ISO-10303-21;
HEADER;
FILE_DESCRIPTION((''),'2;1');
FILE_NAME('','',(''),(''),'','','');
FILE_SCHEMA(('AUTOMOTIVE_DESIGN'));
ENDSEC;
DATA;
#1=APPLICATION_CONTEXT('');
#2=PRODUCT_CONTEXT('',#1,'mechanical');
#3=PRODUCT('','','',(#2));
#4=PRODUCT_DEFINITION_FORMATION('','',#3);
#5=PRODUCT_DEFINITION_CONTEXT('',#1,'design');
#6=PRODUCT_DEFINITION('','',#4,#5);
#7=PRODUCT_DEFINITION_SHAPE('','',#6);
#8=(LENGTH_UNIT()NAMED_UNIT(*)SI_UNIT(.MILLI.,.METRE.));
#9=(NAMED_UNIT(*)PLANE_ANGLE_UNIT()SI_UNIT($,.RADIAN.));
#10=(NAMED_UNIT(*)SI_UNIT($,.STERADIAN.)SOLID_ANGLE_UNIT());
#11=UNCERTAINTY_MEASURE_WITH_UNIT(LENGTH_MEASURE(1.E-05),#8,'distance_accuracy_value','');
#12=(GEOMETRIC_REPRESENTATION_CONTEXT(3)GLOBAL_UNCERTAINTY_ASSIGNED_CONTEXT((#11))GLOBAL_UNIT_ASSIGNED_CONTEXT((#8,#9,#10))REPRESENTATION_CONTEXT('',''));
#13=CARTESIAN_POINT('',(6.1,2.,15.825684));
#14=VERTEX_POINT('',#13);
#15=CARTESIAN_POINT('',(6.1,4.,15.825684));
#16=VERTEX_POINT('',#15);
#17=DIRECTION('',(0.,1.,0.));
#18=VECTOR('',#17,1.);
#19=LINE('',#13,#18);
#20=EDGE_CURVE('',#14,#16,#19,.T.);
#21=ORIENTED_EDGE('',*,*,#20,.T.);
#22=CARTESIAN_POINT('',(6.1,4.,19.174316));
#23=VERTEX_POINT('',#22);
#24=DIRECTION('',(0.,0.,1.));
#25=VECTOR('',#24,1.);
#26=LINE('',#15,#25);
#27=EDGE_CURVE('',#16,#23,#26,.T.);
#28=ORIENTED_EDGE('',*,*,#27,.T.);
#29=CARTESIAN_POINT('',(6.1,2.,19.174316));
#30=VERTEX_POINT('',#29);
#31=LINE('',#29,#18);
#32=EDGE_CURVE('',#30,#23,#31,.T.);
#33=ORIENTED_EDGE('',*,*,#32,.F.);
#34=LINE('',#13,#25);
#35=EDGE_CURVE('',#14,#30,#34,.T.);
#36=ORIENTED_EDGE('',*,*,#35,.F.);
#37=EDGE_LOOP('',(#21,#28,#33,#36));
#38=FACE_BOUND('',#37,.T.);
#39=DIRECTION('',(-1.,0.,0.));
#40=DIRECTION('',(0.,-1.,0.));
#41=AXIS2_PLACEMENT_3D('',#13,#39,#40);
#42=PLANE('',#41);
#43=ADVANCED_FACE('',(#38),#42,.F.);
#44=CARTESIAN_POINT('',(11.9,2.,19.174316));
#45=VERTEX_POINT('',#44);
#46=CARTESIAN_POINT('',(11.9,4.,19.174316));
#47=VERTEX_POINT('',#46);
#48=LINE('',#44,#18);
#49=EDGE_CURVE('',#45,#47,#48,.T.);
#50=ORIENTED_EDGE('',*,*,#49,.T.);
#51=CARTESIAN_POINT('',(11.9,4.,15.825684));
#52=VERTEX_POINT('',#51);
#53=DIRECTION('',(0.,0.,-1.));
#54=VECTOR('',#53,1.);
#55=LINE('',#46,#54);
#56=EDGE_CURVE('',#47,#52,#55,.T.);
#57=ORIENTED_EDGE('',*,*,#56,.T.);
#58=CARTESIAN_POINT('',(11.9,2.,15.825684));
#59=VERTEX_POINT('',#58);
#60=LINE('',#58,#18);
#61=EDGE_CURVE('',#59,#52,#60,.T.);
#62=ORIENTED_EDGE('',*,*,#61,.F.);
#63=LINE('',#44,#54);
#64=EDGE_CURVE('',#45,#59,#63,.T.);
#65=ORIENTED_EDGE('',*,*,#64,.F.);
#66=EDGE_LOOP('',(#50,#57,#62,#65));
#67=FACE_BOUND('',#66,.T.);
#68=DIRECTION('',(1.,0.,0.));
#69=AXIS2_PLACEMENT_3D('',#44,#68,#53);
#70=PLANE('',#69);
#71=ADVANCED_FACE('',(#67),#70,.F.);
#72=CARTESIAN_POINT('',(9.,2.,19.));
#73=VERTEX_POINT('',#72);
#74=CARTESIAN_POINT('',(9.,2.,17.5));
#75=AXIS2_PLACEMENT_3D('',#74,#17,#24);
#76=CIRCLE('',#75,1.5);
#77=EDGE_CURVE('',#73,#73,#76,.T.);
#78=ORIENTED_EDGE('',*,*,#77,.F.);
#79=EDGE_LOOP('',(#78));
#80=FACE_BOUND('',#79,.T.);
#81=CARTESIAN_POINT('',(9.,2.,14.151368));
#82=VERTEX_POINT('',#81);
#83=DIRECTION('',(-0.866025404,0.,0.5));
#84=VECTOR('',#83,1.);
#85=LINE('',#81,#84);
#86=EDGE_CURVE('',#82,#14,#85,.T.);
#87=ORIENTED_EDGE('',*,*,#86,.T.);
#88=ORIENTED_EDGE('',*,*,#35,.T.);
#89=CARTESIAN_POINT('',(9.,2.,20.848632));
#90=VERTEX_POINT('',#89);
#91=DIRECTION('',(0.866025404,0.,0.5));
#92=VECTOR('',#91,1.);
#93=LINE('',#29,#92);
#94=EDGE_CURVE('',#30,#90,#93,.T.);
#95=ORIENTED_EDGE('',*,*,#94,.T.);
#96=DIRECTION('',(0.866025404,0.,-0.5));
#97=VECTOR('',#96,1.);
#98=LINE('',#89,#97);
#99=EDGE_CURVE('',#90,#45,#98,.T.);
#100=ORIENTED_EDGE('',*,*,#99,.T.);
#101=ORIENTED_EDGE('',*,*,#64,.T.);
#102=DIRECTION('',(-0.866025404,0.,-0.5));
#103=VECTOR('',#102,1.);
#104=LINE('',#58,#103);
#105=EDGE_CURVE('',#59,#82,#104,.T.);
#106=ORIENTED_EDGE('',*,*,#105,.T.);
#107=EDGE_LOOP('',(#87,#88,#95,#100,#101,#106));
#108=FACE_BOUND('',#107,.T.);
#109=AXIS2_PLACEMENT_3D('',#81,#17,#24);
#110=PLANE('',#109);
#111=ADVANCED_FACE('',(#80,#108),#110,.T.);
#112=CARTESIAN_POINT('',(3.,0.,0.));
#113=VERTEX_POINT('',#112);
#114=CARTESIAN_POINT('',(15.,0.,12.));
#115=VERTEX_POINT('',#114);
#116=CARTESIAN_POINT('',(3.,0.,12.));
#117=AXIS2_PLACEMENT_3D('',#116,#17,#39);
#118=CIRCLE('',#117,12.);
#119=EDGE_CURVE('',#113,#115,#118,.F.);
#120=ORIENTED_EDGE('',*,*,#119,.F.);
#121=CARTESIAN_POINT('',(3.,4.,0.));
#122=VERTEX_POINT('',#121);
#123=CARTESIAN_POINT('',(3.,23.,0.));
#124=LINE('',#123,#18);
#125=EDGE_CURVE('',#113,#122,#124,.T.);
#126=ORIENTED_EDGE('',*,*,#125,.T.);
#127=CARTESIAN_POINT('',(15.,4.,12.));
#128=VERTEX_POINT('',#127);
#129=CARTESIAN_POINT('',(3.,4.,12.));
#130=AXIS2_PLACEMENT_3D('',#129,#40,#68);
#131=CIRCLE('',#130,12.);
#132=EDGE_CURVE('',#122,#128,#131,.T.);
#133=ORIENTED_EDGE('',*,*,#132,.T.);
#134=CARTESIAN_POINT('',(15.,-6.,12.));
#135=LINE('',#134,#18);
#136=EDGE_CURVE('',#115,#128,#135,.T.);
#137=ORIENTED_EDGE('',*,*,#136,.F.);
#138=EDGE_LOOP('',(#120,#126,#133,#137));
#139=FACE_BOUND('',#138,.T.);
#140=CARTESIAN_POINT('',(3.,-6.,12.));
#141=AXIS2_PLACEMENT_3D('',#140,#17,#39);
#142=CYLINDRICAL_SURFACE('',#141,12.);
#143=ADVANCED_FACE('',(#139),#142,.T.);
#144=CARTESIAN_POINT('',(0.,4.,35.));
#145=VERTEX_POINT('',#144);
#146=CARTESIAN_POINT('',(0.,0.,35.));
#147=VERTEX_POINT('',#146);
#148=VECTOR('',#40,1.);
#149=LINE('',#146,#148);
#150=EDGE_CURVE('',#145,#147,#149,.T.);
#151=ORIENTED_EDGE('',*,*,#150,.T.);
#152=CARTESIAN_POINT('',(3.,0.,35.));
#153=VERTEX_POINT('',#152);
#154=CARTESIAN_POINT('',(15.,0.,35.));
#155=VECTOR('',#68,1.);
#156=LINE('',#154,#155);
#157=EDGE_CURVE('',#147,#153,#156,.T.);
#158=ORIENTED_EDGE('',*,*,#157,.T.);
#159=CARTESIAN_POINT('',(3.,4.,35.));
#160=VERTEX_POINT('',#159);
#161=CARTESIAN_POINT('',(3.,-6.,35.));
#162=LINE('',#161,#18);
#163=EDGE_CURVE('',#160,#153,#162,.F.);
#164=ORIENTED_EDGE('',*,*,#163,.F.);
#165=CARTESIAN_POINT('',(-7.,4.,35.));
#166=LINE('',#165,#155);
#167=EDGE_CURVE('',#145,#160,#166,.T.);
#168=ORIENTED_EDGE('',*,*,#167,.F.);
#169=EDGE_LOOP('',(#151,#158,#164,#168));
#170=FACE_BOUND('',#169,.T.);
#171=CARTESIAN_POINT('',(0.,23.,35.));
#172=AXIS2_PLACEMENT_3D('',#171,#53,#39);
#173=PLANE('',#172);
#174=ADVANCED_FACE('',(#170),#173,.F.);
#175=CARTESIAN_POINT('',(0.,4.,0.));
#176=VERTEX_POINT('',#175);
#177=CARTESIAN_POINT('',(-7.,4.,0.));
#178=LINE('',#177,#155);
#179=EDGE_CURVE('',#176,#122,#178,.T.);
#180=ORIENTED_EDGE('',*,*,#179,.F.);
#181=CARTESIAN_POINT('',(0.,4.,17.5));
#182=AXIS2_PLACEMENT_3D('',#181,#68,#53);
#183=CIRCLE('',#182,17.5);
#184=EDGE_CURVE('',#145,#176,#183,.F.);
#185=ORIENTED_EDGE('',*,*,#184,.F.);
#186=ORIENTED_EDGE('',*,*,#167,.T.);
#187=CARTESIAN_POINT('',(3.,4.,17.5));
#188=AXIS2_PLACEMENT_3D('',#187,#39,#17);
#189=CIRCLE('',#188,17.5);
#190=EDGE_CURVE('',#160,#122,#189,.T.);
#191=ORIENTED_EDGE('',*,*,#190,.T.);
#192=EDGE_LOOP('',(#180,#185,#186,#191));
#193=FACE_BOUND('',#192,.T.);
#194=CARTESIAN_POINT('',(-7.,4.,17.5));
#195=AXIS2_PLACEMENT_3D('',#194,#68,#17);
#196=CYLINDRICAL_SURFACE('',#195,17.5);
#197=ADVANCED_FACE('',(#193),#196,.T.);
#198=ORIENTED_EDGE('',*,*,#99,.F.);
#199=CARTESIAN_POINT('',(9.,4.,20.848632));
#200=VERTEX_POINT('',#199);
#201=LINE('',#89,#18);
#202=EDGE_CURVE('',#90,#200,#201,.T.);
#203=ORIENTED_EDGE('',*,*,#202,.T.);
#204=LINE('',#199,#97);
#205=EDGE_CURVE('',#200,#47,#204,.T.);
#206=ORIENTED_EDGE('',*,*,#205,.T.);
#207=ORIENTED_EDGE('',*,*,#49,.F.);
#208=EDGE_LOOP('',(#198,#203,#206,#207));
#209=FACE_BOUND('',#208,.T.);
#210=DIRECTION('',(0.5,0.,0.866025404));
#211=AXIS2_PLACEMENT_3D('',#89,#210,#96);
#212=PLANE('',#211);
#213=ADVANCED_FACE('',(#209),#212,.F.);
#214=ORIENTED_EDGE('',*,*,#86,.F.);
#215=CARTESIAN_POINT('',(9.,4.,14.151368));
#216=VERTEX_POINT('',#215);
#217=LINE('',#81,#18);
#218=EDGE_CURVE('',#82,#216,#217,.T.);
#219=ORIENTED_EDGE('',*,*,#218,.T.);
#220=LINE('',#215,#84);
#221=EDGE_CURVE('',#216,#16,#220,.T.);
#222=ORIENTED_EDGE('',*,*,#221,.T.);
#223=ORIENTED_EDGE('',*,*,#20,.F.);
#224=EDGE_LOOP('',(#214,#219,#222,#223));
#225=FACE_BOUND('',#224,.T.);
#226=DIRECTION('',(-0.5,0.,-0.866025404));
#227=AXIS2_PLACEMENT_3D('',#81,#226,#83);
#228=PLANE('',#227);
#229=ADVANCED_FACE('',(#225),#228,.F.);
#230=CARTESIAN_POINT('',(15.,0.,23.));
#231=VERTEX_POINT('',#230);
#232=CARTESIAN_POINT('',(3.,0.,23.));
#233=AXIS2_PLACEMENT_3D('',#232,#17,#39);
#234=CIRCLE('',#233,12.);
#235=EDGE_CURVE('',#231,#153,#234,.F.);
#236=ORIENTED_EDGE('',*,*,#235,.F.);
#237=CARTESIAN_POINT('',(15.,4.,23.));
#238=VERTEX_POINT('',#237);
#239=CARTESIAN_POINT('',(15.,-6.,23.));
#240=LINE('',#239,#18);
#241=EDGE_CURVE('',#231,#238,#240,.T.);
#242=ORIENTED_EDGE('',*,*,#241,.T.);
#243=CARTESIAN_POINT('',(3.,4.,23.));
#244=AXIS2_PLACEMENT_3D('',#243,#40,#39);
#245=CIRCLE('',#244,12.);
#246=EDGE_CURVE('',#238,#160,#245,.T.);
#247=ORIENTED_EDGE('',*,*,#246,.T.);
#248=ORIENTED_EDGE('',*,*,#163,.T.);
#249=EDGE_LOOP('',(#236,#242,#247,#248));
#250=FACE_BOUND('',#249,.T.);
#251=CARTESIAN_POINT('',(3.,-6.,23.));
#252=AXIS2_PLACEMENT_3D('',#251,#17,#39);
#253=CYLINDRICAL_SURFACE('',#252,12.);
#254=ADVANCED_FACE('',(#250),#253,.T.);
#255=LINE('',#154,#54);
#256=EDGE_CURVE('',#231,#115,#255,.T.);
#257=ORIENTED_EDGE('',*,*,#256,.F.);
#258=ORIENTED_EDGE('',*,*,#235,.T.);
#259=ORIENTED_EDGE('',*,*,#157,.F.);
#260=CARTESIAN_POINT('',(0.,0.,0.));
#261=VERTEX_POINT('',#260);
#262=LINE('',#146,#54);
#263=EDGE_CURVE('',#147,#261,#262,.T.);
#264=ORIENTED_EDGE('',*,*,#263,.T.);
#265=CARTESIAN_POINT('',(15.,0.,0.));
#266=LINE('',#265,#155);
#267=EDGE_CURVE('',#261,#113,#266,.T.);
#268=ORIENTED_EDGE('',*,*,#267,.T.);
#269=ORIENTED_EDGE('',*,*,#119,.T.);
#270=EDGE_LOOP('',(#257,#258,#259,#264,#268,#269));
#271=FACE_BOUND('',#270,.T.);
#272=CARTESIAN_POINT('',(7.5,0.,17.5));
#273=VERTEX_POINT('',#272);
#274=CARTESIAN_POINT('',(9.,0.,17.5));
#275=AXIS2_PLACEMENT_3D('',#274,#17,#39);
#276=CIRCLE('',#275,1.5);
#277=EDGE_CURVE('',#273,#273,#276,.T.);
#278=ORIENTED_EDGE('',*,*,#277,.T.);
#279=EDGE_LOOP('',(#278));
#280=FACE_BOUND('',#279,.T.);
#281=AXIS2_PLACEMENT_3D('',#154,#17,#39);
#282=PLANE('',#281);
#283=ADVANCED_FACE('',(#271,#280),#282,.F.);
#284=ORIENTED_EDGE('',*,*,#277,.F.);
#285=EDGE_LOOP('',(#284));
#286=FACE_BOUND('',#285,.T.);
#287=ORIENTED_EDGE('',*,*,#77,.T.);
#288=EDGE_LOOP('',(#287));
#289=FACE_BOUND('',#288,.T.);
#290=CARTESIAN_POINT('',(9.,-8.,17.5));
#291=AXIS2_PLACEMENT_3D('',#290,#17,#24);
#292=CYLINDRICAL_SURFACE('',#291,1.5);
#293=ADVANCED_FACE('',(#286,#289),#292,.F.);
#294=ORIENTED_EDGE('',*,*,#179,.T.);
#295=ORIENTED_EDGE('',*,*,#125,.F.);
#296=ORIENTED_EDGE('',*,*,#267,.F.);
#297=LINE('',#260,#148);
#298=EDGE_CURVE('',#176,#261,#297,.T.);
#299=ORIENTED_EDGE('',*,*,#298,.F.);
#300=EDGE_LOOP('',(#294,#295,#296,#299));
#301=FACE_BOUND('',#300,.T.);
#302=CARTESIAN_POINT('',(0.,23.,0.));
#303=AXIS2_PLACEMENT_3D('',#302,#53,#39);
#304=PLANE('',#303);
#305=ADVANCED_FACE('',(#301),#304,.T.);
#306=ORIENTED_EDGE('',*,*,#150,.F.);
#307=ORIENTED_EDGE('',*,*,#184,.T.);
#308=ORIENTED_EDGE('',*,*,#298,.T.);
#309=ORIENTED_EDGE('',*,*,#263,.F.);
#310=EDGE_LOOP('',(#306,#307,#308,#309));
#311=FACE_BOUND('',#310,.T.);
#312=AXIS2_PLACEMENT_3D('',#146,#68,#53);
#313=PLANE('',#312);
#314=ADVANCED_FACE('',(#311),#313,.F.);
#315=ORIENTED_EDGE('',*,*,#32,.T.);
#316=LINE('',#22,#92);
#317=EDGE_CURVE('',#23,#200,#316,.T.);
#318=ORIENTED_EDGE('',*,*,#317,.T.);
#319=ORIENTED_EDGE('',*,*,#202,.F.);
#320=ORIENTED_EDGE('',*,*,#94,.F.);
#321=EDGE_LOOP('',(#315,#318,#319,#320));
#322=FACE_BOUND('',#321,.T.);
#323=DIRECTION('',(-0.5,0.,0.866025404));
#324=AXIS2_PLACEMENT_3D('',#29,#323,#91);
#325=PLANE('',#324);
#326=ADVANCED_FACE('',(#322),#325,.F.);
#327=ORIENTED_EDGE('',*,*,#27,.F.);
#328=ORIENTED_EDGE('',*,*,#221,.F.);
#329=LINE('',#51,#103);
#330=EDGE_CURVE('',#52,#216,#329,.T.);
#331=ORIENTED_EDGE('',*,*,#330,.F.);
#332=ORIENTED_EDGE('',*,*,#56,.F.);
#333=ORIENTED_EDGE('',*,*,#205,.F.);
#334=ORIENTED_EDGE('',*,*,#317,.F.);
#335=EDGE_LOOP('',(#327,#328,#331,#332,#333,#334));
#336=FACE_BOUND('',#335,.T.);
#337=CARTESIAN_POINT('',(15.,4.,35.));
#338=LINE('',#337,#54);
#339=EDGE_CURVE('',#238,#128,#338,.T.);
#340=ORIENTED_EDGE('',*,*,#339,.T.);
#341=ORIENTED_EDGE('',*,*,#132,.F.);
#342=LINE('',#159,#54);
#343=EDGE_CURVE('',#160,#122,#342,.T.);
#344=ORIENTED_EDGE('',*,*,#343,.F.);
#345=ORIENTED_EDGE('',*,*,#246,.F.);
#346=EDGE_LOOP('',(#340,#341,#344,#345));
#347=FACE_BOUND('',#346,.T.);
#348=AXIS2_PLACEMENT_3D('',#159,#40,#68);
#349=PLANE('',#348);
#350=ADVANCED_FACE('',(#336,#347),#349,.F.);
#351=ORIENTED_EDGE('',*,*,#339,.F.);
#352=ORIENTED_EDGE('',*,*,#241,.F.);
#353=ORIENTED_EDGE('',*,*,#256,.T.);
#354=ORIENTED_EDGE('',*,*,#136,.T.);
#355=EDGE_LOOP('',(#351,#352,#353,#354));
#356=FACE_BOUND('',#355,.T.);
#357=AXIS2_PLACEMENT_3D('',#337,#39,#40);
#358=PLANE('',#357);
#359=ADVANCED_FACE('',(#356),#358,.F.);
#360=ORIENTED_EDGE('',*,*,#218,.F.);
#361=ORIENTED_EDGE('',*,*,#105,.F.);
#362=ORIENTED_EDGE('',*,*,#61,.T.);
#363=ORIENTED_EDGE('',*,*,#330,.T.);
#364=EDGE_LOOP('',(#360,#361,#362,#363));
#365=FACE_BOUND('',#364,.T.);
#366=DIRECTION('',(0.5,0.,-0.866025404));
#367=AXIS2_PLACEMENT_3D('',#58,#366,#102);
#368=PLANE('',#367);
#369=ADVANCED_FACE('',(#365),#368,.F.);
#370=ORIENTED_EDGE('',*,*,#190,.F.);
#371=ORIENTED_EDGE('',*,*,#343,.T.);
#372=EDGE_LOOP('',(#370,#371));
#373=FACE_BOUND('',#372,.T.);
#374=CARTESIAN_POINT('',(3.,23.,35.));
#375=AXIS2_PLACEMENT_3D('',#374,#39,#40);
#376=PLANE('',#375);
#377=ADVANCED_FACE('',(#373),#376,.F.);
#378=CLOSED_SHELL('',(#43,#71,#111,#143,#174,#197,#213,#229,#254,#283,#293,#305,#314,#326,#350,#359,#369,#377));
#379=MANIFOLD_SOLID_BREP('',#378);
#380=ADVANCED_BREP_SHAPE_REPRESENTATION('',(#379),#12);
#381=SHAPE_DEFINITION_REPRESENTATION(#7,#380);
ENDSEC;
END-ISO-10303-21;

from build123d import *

# Parameters (mm, degrees)
SALIENTE_EXTRUIR1_DEPTH = 35
CORTAR_EXTRUIR1_DEPTH   = 2
CROQUIS4_R              = 1.5
CORTAR_EXTRUIR2_DEPTH   = 10
CORTAR_EXTRUIR3_DEPTH   = 10
CORTAR_EXTRUIR4_DEPTH   = 10


with BuildPart() as part:
    # Croquis2 → Saliente-Extruir1 (new body)
    with BuildSketch(Plane.XY):
        Polygon((0, 23), (3, 23), (3, 4), (15, 4), (15, 0), (0, 0), align=None)
    extrude(amount=SALIENTE_EXTRUIR1_DEPTH)

    # Croquis3 → Cortar-Extruir1 (cut)
    with BuildSketch(Plane(origin=(0, 4, 0), x_dir=(1, 0, 0), z_dir=(0, 1, 0))):
        Polygon((9, -14.151368439), (6.1, -15.825684219), (6.1, -19.174315781), (9, -20.848631561), (11.9, -19.174315781), (11.9, -15.825684219), align=None)
    extrude(amount=-CORTAR_EXTRUIR1_DEPTH, mode=Mode.SUBTRACT)

    # Croquis4 → Cortar-Extruir2 (cut)
    with BuildSketch(Plane(origin=(0, 2, 0), x_dir=(1, 0, 0), z_dir=(0, 1, 0))):
        with Locations(Location((9, -17.5, 0), (0, 0, 270))):
            Circle(CROQUIS4_R)
    extrude(amount=-CORTAR_EXTRUIR2_DEPTH, mode=Mode.SUBTRACT)

    # Croquis5 → Cortar-Extruir3 (cut)
    with BuildSketch(Plane(origin=(0, 4, 0), x_dir=(1, 0, 0), z_dir=(0, 1, 0))):
        with BuildLine():
            Line((15, -12), (15, -23))
            ThreePointArc((15, -23), (11.485281374, -31.485281374), (3, -35))
            Line((3, -35), (3, -39.861701289))
            Line((3, -39.861701289), (21.688312252, -36.848700447))
            Line((21.688312252, -36.848700447), (27.206798155, -6.851825545))
            Line((27.206798155, -6.851825545), (15.87267332, 7.755192399))
            Line((15.87267332, 7.755192399), (3, 0))
            ThreePointArc((3, 0), (11.485281374, -3.514718626), (15, -12))
        make_face()
    extrude(amount=-CORTAR_EXTRUIR3_DEPTH, mode=Mode.SUBTRACT)

    # Croquis6 → Cortar-Extruir4 (cut)
    with BuildSketch(Plane(origin=(3, 0, 0), x_dir=(0, 0, -1), z_dir=(1, 0, 0))):
        with BuildLine():
            Line((-35, 4), (-43.463242579, 10.305944429))
            Line((-43.463242579, 10.305944429), (-37.648578304, 30.185339472))
            Line((-37.648578304, 30.185339472), (-37.331119495, 31.270679702))
            Line((-37.331119495, 31.270679702), (8.796856155, 26.447825939))
            Line((8.796856155, 26.447825939), (6.381141064, 12.03440645))
            Line((6.381141064, 12.03440645), (0, 4))
            ThreePointArc((0, 4), (-17.5, 21.5), (-35, 4))
        make_face()
    extrude(amount=-CORTAR_EXTRUIR4_DEPTH, mode=Mode.SUBTRACT)


solid = part.part
